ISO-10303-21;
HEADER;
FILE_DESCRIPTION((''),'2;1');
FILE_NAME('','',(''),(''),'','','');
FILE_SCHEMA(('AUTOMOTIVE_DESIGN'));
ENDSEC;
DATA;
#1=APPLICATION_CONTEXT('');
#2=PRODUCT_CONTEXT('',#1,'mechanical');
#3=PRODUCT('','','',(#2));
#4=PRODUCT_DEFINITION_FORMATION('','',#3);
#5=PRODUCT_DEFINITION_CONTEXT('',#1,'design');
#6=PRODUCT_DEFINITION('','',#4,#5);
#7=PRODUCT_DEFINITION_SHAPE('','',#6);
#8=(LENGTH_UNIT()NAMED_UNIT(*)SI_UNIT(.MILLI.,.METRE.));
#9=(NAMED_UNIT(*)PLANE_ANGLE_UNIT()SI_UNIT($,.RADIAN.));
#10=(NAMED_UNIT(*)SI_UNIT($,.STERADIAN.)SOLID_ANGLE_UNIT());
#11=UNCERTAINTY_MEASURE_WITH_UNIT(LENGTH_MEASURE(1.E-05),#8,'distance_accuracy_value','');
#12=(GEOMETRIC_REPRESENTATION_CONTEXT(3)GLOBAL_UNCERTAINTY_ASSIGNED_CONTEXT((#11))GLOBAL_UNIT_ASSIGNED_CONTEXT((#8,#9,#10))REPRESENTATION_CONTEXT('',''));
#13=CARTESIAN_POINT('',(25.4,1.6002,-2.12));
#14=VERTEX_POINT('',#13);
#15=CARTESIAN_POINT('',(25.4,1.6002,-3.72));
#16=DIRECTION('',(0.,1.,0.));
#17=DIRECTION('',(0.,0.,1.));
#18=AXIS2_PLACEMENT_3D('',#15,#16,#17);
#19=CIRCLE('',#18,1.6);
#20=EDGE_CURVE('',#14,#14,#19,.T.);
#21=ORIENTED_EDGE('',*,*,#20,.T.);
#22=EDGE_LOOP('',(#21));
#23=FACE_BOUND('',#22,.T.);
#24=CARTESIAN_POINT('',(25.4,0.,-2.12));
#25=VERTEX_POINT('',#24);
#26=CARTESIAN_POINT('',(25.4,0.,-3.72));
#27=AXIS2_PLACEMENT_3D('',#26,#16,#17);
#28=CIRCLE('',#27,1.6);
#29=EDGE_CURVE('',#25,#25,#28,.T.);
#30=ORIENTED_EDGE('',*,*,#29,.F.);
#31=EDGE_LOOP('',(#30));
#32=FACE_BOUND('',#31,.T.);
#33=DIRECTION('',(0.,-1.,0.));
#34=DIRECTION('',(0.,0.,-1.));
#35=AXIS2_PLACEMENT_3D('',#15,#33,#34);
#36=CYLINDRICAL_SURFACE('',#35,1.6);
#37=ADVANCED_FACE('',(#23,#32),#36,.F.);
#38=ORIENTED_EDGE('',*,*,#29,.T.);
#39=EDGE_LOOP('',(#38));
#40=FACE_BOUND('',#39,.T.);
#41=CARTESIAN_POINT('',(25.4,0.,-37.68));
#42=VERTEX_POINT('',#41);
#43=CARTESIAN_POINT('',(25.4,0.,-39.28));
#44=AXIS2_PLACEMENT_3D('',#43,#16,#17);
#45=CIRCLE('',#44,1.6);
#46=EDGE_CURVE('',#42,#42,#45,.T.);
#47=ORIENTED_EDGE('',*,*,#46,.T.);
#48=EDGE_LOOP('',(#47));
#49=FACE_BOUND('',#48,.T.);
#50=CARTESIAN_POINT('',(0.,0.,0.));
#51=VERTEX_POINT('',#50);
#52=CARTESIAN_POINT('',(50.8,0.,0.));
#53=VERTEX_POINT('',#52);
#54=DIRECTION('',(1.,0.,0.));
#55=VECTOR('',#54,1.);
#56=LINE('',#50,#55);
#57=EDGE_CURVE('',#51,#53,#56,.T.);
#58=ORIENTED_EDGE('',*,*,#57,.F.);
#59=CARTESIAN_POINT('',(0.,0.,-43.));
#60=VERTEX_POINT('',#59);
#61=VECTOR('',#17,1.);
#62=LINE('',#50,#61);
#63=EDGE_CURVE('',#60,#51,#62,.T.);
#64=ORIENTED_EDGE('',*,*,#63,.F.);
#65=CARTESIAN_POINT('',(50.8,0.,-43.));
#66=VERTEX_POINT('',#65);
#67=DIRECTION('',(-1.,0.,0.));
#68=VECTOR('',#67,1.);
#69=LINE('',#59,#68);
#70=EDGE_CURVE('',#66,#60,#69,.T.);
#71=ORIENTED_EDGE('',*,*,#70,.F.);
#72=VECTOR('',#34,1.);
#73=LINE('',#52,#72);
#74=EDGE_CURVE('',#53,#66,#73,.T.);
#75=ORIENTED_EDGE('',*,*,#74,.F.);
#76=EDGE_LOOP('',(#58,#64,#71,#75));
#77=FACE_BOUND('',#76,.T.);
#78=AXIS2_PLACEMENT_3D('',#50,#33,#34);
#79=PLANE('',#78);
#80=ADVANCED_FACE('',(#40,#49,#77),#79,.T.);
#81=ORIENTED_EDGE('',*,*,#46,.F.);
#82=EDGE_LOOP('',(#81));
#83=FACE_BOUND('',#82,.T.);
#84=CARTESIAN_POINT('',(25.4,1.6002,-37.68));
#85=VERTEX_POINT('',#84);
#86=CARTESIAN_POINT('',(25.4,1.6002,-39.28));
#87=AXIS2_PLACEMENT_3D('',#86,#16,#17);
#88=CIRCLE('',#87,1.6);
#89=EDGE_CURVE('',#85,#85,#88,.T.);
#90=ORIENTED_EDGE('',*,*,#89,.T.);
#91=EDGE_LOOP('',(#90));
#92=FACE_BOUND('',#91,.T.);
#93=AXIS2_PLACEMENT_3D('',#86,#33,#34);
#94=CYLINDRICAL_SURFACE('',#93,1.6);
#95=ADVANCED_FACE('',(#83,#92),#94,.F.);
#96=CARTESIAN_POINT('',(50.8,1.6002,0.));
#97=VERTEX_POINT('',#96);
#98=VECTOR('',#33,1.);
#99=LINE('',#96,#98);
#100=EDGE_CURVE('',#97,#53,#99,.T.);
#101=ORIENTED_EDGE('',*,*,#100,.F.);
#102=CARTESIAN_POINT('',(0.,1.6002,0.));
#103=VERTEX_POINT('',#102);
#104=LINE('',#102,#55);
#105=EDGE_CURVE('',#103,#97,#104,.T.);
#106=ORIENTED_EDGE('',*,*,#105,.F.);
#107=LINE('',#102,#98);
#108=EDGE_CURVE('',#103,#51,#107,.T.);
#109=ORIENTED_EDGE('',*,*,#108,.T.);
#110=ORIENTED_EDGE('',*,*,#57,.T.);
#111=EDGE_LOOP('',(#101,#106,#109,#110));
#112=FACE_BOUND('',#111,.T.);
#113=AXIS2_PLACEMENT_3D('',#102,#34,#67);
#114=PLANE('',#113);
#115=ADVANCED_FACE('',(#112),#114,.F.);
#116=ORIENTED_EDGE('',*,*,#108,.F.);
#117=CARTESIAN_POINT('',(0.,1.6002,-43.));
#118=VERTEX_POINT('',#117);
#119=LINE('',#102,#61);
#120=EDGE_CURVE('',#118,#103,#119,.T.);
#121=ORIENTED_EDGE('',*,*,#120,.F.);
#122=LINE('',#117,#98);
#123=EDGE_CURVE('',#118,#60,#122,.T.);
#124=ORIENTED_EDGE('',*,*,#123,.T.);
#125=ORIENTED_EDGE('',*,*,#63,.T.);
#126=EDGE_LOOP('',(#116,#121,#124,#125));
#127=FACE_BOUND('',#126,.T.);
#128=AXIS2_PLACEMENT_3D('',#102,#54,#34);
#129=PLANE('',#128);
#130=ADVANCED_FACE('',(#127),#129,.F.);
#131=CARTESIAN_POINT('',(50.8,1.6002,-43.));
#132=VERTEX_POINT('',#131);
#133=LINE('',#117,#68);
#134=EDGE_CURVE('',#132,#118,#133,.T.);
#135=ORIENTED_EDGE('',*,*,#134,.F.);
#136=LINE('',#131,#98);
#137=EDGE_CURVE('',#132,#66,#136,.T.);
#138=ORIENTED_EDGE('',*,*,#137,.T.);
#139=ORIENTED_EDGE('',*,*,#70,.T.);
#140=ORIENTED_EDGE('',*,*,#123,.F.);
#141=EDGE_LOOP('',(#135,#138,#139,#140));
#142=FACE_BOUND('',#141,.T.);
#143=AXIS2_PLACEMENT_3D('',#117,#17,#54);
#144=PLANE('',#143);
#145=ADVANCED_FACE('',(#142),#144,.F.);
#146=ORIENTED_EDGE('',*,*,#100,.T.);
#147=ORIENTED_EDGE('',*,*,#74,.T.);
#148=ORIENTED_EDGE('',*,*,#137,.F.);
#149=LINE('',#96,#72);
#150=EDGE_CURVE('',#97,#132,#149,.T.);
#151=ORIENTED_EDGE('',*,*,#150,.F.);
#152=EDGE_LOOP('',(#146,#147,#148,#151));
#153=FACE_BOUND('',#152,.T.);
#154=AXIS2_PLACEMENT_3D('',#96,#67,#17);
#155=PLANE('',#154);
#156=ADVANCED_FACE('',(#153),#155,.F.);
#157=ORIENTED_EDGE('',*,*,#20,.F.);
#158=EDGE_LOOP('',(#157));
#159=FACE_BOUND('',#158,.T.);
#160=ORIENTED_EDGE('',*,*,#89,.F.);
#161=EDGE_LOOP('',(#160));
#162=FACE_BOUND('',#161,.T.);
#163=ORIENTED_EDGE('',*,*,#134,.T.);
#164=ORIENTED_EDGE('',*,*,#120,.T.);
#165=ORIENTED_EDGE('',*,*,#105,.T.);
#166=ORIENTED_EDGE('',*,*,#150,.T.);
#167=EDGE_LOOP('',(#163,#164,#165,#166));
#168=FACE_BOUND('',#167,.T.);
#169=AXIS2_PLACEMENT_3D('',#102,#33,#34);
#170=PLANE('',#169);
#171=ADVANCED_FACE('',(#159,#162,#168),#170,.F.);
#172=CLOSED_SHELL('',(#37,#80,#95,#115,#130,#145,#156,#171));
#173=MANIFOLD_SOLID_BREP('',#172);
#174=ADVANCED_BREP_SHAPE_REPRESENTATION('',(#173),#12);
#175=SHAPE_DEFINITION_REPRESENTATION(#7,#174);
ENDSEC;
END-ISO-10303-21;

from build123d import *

# Parameters (mm, degrees)
SKETCH1_W           = 50.8
SKETCH1_H           = 43
SKETCH1_R           = 1.599999975
BOSS_EXTRUDE1_DEPTH = 1.6002


with BuildPart() as part:
    # Sketch1 → Boss-Extrude1 (new body)
    with BuildSketch(Plane(origin=(0, 0, 0), x_dir=(1, 0, 0), z_dir=(0, 1, 0))):
        with Locations((25.4, 21.5)):
            Rectangle(SKETCH1_W, SKETCH1_H)
        with Locations((25.4, 39.28)):
            Circle(SKETCH1_R, mode=Mode.SUBTRACT)
        with Locations((25.4, 3.72)):
            Circle(SKETCH1_R, mode=Mode.SUBTRACT)
    extrude(amount=BOSS_EXTRUDE1_DEPTH)


solid = part.part
